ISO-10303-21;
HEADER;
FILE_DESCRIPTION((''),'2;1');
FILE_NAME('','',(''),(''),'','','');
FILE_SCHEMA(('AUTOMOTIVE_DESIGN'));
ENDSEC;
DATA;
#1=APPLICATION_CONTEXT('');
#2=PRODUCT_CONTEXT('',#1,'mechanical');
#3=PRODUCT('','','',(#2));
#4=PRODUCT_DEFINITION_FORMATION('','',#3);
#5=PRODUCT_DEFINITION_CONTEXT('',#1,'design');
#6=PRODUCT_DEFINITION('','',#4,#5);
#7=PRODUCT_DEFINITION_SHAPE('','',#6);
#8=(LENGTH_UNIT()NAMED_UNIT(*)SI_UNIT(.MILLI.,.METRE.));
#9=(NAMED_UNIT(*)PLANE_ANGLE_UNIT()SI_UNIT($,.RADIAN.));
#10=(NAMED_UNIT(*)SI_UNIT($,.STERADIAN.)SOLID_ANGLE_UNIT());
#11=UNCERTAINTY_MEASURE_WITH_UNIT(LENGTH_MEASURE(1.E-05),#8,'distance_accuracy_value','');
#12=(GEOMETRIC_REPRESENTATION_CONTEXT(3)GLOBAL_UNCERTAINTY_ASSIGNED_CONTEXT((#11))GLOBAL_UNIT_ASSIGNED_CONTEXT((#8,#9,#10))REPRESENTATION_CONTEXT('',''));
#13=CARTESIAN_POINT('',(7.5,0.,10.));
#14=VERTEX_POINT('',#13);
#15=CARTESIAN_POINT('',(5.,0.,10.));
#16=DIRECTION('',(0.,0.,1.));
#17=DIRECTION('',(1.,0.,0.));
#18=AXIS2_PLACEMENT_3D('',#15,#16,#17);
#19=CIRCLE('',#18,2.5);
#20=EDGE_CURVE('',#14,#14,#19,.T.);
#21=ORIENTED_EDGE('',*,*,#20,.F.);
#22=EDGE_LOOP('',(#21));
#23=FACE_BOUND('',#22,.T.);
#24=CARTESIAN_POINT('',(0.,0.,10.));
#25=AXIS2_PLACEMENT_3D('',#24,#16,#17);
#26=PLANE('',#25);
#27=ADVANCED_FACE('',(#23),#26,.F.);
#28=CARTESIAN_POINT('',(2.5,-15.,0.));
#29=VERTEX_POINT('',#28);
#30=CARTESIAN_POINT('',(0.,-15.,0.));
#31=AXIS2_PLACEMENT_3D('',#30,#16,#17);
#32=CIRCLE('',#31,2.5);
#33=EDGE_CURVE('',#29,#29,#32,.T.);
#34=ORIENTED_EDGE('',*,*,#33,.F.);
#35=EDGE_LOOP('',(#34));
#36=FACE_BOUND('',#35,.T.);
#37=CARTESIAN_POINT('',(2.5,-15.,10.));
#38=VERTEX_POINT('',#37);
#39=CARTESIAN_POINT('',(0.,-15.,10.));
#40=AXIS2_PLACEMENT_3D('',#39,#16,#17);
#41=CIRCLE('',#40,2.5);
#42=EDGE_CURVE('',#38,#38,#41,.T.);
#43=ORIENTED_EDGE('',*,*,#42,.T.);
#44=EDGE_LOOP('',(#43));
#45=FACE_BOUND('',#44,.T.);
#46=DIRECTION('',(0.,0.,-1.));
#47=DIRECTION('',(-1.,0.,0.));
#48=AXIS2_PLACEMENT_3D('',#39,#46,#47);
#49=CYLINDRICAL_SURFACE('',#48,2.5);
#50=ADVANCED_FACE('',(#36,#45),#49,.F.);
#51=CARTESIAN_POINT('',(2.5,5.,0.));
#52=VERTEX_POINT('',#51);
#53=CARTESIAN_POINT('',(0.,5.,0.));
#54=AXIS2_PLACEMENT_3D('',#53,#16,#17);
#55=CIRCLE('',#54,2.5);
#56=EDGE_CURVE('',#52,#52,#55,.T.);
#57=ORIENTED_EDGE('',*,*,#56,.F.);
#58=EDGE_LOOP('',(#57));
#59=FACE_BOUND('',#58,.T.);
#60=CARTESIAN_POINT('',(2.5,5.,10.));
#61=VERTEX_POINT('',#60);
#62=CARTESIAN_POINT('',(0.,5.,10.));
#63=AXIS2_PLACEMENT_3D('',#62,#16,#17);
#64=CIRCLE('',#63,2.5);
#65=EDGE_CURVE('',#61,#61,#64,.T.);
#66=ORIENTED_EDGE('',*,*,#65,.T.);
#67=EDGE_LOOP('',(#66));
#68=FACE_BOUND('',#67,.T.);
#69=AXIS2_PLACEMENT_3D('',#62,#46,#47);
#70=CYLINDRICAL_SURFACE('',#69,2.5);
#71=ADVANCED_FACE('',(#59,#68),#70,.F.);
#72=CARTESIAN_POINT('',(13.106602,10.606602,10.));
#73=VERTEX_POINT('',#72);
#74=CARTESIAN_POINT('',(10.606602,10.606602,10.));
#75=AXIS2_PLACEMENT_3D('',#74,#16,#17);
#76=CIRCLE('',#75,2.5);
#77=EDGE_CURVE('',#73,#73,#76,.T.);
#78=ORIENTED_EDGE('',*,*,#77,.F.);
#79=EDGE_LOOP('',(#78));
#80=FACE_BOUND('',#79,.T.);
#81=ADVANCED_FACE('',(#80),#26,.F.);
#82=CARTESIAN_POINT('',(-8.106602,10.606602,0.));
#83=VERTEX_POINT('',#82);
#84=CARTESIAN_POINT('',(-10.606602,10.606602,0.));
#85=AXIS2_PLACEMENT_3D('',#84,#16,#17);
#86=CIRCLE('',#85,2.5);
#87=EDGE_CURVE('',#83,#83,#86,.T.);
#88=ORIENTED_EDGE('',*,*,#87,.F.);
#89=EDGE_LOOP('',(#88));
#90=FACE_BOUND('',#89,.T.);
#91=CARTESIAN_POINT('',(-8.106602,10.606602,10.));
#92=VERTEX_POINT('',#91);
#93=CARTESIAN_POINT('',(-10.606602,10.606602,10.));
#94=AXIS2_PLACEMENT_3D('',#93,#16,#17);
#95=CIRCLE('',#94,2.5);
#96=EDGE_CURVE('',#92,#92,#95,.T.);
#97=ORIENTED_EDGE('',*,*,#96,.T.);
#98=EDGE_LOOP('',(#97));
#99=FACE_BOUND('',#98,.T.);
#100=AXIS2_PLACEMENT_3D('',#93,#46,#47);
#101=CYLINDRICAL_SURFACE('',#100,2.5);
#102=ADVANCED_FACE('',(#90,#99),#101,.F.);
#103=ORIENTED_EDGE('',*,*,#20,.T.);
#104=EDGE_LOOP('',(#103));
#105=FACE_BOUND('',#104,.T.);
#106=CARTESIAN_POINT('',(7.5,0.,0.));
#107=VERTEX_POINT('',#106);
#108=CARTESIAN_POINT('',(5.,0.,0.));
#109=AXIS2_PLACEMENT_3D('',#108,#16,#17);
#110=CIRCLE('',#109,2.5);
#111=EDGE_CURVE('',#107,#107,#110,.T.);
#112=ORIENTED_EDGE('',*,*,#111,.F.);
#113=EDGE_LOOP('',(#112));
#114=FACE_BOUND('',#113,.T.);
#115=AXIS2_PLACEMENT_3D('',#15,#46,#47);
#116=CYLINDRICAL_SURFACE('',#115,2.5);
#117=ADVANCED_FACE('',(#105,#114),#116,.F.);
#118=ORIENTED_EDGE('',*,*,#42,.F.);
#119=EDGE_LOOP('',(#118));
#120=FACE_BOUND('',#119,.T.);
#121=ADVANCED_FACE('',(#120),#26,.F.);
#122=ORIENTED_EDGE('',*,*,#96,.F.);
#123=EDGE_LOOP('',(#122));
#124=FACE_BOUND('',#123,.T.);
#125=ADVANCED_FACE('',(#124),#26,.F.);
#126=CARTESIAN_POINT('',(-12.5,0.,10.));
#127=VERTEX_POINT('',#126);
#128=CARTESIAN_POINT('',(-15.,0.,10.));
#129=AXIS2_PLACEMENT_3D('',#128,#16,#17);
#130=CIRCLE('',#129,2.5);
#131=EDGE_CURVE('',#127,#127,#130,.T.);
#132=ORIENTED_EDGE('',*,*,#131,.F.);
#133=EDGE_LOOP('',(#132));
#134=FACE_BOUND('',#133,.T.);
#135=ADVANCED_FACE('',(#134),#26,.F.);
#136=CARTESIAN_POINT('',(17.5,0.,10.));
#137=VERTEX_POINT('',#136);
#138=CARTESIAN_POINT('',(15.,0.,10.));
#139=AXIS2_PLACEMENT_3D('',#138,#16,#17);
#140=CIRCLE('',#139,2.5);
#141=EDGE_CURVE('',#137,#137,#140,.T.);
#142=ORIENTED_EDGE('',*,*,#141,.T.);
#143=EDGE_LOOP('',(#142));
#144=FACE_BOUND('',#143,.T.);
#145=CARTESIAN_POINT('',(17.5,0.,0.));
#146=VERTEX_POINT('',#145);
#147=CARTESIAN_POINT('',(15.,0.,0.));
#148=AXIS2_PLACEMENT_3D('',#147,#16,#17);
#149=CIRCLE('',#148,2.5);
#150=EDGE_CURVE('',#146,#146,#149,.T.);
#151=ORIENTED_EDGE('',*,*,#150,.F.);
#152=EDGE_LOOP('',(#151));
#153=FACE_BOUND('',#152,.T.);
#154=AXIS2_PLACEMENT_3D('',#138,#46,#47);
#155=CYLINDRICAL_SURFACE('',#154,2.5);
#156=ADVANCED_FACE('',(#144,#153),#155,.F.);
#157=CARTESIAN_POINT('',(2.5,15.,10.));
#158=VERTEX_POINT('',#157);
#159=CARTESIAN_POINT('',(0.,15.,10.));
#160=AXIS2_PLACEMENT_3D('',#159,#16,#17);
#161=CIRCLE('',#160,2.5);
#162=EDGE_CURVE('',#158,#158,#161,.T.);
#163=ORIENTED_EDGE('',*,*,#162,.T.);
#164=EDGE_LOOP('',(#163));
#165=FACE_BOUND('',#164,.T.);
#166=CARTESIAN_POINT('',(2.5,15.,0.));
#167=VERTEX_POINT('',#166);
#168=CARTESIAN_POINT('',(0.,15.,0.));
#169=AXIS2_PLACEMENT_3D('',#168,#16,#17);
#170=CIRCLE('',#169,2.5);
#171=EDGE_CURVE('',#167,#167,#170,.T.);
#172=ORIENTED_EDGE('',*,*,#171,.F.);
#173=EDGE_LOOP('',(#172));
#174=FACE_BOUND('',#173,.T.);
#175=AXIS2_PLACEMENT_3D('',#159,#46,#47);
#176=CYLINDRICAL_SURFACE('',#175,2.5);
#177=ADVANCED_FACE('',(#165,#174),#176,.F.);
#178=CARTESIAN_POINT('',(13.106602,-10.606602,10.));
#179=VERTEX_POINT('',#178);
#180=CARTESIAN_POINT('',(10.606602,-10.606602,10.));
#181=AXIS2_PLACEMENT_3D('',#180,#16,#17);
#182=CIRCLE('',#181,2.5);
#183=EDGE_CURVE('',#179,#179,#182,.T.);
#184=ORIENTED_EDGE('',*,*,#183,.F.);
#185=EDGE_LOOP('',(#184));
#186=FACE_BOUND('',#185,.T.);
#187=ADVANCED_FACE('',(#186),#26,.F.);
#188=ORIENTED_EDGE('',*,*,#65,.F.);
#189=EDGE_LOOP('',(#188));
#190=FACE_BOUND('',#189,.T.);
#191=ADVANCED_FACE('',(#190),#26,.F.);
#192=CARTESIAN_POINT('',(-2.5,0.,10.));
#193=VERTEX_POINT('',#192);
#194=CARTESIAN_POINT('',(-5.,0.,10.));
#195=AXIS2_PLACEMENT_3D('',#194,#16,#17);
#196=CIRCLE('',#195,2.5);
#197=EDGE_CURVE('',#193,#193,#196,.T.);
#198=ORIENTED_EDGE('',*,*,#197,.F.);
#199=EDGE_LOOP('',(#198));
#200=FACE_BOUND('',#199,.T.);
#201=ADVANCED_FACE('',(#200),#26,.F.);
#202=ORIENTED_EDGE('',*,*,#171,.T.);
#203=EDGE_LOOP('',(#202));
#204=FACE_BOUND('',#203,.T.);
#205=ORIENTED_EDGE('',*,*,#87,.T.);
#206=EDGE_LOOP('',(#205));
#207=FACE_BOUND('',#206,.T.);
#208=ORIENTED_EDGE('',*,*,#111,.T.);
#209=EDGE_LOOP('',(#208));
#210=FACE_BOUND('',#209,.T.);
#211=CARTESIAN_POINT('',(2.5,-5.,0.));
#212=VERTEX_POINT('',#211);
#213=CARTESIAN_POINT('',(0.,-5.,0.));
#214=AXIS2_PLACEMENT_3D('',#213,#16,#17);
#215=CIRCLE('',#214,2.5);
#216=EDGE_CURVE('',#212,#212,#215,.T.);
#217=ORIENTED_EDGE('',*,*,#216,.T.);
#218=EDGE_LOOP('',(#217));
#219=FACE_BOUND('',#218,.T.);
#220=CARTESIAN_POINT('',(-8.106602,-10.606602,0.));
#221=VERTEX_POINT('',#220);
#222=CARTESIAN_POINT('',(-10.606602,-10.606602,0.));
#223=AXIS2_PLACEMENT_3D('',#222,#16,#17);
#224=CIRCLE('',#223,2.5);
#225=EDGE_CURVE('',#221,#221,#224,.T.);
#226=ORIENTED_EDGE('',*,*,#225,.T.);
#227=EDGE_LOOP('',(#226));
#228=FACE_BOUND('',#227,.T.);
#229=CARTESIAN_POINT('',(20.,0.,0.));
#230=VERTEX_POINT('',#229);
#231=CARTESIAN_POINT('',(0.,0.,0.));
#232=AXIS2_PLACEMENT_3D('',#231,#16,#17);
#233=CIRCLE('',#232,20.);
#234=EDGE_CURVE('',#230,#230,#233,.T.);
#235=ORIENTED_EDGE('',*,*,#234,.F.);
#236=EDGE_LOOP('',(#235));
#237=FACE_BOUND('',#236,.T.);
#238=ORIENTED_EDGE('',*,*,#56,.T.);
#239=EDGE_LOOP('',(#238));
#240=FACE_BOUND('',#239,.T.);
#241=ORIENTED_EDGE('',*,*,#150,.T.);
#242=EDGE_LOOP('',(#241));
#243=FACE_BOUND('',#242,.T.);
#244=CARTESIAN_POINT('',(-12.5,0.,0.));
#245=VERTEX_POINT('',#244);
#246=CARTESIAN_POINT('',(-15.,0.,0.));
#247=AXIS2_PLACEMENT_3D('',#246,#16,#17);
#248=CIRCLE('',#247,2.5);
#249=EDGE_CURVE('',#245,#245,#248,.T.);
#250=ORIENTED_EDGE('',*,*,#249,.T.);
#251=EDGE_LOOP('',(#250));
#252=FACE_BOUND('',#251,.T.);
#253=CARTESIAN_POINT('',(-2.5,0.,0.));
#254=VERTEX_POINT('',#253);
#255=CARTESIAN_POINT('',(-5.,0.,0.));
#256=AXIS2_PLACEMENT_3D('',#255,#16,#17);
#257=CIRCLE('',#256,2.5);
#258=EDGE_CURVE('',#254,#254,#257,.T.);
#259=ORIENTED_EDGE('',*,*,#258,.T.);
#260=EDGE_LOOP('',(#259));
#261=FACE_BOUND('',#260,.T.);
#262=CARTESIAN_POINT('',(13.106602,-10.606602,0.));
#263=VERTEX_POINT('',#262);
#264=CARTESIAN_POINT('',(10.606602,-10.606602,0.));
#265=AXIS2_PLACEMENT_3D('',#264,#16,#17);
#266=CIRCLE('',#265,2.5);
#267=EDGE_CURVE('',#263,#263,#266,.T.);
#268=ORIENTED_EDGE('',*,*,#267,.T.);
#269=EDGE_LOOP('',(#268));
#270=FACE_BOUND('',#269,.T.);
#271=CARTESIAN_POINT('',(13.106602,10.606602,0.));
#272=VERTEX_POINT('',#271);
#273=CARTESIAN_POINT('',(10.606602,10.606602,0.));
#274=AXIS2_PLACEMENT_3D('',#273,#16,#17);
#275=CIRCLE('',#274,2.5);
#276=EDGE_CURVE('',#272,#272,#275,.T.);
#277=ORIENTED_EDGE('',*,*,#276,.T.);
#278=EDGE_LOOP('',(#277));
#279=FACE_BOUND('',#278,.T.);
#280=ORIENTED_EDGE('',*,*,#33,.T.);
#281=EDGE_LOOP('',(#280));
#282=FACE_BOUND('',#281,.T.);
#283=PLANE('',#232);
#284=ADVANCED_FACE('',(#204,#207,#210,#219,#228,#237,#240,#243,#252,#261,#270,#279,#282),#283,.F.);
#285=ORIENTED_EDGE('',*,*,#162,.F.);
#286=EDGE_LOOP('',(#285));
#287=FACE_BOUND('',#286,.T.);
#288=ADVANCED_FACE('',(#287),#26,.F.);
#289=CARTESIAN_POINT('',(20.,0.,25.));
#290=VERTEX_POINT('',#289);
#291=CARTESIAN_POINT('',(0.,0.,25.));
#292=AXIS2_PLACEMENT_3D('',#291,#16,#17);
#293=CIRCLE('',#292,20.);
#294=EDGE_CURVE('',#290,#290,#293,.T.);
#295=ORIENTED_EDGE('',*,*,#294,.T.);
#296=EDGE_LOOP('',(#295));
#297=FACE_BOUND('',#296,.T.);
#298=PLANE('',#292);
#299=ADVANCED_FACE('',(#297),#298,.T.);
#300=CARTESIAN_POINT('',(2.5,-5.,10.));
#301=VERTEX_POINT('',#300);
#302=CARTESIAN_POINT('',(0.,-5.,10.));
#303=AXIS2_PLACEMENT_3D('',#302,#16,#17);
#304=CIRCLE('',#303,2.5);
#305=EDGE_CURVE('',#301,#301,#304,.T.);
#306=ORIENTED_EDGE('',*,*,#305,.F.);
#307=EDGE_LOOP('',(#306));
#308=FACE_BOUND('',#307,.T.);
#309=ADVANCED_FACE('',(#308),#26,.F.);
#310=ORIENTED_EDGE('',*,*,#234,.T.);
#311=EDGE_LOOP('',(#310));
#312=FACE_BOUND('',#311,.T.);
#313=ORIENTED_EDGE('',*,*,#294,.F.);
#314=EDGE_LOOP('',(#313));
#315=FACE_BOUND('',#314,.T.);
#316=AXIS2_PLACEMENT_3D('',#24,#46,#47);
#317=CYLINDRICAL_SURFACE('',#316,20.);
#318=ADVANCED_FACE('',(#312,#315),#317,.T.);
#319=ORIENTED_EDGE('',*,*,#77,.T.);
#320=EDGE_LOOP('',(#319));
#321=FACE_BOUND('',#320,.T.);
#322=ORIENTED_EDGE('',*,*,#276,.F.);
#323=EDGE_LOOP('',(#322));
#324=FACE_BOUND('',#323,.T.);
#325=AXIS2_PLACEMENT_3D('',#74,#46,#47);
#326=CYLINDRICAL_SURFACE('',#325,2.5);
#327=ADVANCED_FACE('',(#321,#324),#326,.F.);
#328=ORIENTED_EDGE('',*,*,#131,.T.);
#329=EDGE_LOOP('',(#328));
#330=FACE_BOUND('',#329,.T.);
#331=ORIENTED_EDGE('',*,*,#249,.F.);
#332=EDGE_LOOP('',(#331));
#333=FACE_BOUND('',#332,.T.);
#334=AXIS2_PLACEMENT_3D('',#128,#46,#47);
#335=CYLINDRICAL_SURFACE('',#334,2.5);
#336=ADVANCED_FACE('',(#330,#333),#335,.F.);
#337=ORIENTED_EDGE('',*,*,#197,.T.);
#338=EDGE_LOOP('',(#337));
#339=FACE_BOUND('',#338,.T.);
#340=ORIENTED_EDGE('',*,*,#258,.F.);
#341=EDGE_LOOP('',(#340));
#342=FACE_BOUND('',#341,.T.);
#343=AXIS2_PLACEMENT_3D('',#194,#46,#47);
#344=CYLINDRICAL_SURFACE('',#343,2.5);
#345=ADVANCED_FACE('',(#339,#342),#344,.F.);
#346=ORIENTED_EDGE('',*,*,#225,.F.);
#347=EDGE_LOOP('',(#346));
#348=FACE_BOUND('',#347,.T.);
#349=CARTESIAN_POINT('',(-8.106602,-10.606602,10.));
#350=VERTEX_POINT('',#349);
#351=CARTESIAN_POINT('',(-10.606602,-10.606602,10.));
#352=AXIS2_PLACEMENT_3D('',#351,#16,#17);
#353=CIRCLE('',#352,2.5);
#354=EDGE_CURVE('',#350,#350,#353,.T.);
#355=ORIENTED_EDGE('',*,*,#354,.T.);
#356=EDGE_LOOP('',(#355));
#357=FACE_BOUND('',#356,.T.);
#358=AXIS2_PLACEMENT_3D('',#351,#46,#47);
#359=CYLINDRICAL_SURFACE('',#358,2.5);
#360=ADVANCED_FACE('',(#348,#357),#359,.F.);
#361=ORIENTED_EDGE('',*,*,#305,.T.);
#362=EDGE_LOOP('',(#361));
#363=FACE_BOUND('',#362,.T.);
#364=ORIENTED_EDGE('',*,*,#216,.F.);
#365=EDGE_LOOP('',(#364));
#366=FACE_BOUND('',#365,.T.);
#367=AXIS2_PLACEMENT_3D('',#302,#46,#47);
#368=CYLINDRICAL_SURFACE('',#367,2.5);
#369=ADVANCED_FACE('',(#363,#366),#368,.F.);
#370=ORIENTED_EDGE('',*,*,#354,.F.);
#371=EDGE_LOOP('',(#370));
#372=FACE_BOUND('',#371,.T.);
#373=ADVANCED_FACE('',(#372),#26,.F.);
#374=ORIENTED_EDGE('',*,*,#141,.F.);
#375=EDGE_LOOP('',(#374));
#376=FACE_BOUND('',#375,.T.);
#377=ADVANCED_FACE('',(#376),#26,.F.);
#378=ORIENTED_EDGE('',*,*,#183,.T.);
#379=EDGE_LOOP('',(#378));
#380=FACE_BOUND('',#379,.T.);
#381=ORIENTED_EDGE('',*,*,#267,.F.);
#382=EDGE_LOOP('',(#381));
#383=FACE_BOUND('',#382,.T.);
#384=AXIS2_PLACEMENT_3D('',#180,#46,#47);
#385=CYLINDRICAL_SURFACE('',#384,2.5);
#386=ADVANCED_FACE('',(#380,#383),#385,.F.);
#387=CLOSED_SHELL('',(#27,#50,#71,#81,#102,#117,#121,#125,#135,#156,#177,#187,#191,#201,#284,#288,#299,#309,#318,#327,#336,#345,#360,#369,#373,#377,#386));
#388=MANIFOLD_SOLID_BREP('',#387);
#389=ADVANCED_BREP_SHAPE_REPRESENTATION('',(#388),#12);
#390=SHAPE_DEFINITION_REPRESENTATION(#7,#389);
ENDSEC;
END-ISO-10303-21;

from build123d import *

# Parameters (mm, degrees)
SKETCH1_R           = 20
SKETCH1_R_2         = 2.5
BOSS_EXTRUDE1_DEPTH = 10
SKETCH2_R           = 20
BOSS_EXTRUDE2_DEPTH = 15


with BuildPart() as part:
    # Sketch1 → Boss-Extrude1 (new body)
    with BuildSketch(Plane.XY):
        Circle(SKETCH1_R)
        with Locations((0, 15)):
            Circle(SKETCH1_R_2, mode=Mode.SUBTRACT)
        with Locations((10.606601718, 10.606601718)):
            Circle(SKETCH1_R_2, mode=Mode.SUBTRACT)
        with Locations((15, 0)):
            Circle(SKETCH1_R_2, mode=Mode.SUBTRACT)
        with Locations((10.606601718, -10.606601718)):
            Circle(SKETCH1_R_2, mode=Mode.SUBTRACT)
        with Locations((0, -15)):
            Circle(SKETCH1_R_2, mode=Mode.SUBTRACT)
        with Locations((-10.606601718, -10.606601718)):
            Circle(SKETCH1_R_2, mode=Mode.SUBTRACT)
        with Locations((-15, 0)):
            Circle(SKETCH1_R_2, mode=Mode.SUBTRACT)
        with Locations((-10.606601718, 10.606601718)):
            Circle(SKETCH1_R_2, mode=Mode.SUBTRACT)
        with Locations((0, 5)):
            Circle(SKETCH1_R_2, mode=Mode.SUBTRACT)
        with Locations((5, 0)):
            Circle(SKETCH1_R_2, mode=Mode.SUBTRACT)
        with Locations((0, -5)):
            Circle(SKETCH1_R_2, mode=Mode.SUBTRACT)
        with Locations((-5, 0)):
            Circle(SKETCH1_R_2, mode=Mode.SUBTRACT)
    extrude(amount=BOSS_EXTRUDE1_DEPTH)

    # Sketch2 → Boss-Extrude2 (add)
    with BuildSketch(Plane.XY.offset(10)):
        Circle(SKETCH2_R)
    extrude(amount=BOSS_EXTRUDE2_DEPTH)


solid = part.part
